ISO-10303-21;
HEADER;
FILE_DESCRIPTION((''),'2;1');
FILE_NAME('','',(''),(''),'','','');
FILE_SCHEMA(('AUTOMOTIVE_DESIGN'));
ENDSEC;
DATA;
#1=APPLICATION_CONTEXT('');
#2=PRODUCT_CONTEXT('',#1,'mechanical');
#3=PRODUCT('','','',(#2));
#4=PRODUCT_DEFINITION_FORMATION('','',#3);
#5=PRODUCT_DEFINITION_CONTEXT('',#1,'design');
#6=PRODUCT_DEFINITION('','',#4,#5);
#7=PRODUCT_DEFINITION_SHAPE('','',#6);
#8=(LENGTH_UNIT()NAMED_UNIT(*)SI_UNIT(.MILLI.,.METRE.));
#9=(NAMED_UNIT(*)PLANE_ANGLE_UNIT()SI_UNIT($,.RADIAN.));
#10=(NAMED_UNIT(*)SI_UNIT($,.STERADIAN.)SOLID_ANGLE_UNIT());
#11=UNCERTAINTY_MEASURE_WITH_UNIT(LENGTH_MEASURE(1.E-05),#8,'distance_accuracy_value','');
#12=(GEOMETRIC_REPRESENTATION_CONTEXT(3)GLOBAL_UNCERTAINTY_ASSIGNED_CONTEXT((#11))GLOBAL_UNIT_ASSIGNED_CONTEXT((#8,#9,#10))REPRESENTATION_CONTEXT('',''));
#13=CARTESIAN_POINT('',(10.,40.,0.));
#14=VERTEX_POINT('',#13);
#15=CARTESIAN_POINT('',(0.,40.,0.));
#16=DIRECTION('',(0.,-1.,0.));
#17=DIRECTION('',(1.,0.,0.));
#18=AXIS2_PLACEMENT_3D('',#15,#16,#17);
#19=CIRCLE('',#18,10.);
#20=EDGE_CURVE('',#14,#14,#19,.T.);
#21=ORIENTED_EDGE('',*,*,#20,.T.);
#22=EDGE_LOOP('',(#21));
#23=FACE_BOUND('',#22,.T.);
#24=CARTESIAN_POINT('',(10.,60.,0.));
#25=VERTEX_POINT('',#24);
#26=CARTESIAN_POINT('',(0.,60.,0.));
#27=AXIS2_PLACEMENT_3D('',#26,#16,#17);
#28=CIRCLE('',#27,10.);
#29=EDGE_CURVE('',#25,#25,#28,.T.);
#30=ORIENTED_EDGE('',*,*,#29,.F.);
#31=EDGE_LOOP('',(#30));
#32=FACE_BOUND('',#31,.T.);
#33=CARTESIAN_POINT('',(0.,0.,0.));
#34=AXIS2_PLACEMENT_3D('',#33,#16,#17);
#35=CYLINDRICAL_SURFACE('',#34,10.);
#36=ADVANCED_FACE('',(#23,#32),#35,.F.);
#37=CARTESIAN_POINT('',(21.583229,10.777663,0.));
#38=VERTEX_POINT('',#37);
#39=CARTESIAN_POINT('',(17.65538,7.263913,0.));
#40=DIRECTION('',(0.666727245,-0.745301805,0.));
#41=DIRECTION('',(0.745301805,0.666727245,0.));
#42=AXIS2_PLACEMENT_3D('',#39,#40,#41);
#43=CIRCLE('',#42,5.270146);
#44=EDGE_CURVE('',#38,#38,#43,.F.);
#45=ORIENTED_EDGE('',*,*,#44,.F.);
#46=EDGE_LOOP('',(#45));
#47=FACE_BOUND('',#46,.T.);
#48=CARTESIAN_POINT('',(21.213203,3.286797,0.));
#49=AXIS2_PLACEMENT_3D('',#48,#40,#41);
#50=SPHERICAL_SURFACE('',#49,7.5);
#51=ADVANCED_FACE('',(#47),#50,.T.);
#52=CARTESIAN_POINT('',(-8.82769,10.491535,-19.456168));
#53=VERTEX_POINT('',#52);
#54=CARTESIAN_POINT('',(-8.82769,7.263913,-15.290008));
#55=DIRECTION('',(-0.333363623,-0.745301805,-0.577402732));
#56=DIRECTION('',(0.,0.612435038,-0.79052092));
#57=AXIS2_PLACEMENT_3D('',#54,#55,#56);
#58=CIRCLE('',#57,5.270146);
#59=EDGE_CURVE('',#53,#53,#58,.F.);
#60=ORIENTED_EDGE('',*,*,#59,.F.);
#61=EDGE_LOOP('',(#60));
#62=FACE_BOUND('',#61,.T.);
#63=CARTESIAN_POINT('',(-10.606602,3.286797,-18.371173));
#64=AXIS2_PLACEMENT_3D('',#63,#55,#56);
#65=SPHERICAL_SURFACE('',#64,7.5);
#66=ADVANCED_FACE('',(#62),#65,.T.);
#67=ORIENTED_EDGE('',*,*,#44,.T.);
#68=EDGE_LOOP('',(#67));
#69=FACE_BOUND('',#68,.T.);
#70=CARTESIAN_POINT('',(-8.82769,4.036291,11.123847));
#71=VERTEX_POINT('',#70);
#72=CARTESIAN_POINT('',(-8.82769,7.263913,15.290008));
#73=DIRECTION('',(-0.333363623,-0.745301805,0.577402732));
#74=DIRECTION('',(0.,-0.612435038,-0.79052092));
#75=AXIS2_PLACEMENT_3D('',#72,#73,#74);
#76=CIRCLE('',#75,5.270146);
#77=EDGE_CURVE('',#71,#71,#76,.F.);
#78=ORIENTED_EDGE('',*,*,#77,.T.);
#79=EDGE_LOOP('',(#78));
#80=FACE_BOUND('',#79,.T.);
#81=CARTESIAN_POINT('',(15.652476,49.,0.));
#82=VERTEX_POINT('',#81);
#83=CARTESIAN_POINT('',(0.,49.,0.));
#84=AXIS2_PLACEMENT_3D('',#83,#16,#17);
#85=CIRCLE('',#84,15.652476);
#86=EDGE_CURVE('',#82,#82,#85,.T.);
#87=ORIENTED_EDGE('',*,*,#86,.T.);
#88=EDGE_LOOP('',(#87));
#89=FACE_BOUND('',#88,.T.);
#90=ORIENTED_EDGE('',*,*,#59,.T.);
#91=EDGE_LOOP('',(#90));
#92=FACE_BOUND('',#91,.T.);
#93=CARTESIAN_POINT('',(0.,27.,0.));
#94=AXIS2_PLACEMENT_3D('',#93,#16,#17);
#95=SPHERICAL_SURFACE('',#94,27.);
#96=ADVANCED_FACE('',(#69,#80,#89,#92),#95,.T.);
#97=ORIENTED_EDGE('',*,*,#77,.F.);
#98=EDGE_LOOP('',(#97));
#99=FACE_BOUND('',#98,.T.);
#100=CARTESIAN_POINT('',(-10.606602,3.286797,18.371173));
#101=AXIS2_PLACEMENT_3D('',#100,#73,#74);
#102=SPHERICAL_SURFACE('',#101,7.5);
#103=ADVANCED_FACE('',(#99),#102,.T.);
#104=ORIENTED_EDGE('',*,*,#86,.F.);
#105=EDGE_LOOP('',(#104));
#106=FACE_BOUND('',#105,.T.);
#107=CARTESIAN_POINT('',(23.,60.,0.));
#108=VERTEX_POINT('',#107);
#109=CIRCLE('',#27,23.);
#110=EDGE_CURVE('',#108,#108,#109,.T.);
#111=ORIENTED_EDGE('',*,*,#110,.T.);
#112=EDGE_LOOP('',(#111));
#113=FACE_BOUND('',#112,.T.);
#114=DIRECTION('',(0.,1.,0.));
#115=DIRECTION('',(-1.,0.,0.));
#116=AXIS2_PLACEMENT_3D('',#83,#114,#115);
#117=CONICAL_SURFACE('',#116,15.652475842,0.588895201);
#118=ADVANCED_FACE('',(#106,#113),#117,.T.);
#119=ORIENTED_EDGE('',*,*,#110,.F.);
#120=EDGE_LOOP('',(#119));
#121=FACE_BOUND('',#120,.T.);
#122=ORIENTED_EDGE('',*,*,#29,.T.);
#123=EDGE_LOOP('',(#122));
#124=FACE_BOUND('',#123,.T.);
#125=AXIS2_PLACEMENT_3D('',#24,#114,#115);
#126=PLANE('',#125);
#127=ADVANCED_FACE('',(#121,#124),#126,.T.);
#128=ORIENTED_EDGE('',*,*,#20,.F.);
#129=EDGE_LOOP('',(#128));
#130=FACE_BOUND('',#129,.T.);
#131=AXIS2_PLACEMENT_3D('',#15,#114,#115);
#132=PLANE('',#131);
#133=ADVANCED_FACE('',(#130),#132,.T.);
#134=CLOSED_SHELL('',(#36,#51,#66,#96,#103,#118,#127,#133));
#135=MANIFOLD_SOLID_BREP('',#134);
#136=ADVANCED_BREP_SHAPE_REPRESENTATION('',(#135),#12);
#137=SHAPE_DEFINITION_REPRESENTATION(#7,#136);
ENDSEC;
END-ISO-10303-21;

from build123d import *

# Parameters (mm, degrees)
CIRPATTERN1_COUNT = 3


with BuildPart() as part:
    # Sketch1 → Revolve1 (revolve)
    with BuildSketch(Plane.XY):
        with BuildLine():
            Line((0, 0), (0, 40))
            Line((0, 40), (10, 40))
            Line((10, 40), (10, 60))
            Line((10, 60), (23, 60))
            Line((23, 60), (15.652475842, 49))
            ThreePointArc((15.652475842, 49), (25.719642299, 18.784161637), (0, 0))
        make_face()
    revolve(axis=Axis((0, 0, 0), (0, 1, 0)))

    # Sketch2 → Revolve2 (revolve)
    with BuildSketch(Plane.XY):
        with BuildLine():
            Line((15.909902577, 8.590097423), (26.516504294, -2.016504294))
            ThreePointArc((26.516504294, -2.016504294), (26.516504294, 8.590097423), (15.909902577, 8.590097423))
        make_face()
    revolve2 = revolve(axis=Axis((15.909902577, 8.590097423, 0), (0.707106781186544, -0.7071067811865511, 0)))

    # CirPattern1: Revolve2 ×3 about axis
    cirpattern1_axis = Axis((0, 0, 0), (0, 1, 0))
    for i in range(1, CIRPATTERN1_COUNT):
        add(revolve2.rotate(cirpattern1_axis, i * 360 / CIRPATTERN1_COUNT))


solid = part.part
